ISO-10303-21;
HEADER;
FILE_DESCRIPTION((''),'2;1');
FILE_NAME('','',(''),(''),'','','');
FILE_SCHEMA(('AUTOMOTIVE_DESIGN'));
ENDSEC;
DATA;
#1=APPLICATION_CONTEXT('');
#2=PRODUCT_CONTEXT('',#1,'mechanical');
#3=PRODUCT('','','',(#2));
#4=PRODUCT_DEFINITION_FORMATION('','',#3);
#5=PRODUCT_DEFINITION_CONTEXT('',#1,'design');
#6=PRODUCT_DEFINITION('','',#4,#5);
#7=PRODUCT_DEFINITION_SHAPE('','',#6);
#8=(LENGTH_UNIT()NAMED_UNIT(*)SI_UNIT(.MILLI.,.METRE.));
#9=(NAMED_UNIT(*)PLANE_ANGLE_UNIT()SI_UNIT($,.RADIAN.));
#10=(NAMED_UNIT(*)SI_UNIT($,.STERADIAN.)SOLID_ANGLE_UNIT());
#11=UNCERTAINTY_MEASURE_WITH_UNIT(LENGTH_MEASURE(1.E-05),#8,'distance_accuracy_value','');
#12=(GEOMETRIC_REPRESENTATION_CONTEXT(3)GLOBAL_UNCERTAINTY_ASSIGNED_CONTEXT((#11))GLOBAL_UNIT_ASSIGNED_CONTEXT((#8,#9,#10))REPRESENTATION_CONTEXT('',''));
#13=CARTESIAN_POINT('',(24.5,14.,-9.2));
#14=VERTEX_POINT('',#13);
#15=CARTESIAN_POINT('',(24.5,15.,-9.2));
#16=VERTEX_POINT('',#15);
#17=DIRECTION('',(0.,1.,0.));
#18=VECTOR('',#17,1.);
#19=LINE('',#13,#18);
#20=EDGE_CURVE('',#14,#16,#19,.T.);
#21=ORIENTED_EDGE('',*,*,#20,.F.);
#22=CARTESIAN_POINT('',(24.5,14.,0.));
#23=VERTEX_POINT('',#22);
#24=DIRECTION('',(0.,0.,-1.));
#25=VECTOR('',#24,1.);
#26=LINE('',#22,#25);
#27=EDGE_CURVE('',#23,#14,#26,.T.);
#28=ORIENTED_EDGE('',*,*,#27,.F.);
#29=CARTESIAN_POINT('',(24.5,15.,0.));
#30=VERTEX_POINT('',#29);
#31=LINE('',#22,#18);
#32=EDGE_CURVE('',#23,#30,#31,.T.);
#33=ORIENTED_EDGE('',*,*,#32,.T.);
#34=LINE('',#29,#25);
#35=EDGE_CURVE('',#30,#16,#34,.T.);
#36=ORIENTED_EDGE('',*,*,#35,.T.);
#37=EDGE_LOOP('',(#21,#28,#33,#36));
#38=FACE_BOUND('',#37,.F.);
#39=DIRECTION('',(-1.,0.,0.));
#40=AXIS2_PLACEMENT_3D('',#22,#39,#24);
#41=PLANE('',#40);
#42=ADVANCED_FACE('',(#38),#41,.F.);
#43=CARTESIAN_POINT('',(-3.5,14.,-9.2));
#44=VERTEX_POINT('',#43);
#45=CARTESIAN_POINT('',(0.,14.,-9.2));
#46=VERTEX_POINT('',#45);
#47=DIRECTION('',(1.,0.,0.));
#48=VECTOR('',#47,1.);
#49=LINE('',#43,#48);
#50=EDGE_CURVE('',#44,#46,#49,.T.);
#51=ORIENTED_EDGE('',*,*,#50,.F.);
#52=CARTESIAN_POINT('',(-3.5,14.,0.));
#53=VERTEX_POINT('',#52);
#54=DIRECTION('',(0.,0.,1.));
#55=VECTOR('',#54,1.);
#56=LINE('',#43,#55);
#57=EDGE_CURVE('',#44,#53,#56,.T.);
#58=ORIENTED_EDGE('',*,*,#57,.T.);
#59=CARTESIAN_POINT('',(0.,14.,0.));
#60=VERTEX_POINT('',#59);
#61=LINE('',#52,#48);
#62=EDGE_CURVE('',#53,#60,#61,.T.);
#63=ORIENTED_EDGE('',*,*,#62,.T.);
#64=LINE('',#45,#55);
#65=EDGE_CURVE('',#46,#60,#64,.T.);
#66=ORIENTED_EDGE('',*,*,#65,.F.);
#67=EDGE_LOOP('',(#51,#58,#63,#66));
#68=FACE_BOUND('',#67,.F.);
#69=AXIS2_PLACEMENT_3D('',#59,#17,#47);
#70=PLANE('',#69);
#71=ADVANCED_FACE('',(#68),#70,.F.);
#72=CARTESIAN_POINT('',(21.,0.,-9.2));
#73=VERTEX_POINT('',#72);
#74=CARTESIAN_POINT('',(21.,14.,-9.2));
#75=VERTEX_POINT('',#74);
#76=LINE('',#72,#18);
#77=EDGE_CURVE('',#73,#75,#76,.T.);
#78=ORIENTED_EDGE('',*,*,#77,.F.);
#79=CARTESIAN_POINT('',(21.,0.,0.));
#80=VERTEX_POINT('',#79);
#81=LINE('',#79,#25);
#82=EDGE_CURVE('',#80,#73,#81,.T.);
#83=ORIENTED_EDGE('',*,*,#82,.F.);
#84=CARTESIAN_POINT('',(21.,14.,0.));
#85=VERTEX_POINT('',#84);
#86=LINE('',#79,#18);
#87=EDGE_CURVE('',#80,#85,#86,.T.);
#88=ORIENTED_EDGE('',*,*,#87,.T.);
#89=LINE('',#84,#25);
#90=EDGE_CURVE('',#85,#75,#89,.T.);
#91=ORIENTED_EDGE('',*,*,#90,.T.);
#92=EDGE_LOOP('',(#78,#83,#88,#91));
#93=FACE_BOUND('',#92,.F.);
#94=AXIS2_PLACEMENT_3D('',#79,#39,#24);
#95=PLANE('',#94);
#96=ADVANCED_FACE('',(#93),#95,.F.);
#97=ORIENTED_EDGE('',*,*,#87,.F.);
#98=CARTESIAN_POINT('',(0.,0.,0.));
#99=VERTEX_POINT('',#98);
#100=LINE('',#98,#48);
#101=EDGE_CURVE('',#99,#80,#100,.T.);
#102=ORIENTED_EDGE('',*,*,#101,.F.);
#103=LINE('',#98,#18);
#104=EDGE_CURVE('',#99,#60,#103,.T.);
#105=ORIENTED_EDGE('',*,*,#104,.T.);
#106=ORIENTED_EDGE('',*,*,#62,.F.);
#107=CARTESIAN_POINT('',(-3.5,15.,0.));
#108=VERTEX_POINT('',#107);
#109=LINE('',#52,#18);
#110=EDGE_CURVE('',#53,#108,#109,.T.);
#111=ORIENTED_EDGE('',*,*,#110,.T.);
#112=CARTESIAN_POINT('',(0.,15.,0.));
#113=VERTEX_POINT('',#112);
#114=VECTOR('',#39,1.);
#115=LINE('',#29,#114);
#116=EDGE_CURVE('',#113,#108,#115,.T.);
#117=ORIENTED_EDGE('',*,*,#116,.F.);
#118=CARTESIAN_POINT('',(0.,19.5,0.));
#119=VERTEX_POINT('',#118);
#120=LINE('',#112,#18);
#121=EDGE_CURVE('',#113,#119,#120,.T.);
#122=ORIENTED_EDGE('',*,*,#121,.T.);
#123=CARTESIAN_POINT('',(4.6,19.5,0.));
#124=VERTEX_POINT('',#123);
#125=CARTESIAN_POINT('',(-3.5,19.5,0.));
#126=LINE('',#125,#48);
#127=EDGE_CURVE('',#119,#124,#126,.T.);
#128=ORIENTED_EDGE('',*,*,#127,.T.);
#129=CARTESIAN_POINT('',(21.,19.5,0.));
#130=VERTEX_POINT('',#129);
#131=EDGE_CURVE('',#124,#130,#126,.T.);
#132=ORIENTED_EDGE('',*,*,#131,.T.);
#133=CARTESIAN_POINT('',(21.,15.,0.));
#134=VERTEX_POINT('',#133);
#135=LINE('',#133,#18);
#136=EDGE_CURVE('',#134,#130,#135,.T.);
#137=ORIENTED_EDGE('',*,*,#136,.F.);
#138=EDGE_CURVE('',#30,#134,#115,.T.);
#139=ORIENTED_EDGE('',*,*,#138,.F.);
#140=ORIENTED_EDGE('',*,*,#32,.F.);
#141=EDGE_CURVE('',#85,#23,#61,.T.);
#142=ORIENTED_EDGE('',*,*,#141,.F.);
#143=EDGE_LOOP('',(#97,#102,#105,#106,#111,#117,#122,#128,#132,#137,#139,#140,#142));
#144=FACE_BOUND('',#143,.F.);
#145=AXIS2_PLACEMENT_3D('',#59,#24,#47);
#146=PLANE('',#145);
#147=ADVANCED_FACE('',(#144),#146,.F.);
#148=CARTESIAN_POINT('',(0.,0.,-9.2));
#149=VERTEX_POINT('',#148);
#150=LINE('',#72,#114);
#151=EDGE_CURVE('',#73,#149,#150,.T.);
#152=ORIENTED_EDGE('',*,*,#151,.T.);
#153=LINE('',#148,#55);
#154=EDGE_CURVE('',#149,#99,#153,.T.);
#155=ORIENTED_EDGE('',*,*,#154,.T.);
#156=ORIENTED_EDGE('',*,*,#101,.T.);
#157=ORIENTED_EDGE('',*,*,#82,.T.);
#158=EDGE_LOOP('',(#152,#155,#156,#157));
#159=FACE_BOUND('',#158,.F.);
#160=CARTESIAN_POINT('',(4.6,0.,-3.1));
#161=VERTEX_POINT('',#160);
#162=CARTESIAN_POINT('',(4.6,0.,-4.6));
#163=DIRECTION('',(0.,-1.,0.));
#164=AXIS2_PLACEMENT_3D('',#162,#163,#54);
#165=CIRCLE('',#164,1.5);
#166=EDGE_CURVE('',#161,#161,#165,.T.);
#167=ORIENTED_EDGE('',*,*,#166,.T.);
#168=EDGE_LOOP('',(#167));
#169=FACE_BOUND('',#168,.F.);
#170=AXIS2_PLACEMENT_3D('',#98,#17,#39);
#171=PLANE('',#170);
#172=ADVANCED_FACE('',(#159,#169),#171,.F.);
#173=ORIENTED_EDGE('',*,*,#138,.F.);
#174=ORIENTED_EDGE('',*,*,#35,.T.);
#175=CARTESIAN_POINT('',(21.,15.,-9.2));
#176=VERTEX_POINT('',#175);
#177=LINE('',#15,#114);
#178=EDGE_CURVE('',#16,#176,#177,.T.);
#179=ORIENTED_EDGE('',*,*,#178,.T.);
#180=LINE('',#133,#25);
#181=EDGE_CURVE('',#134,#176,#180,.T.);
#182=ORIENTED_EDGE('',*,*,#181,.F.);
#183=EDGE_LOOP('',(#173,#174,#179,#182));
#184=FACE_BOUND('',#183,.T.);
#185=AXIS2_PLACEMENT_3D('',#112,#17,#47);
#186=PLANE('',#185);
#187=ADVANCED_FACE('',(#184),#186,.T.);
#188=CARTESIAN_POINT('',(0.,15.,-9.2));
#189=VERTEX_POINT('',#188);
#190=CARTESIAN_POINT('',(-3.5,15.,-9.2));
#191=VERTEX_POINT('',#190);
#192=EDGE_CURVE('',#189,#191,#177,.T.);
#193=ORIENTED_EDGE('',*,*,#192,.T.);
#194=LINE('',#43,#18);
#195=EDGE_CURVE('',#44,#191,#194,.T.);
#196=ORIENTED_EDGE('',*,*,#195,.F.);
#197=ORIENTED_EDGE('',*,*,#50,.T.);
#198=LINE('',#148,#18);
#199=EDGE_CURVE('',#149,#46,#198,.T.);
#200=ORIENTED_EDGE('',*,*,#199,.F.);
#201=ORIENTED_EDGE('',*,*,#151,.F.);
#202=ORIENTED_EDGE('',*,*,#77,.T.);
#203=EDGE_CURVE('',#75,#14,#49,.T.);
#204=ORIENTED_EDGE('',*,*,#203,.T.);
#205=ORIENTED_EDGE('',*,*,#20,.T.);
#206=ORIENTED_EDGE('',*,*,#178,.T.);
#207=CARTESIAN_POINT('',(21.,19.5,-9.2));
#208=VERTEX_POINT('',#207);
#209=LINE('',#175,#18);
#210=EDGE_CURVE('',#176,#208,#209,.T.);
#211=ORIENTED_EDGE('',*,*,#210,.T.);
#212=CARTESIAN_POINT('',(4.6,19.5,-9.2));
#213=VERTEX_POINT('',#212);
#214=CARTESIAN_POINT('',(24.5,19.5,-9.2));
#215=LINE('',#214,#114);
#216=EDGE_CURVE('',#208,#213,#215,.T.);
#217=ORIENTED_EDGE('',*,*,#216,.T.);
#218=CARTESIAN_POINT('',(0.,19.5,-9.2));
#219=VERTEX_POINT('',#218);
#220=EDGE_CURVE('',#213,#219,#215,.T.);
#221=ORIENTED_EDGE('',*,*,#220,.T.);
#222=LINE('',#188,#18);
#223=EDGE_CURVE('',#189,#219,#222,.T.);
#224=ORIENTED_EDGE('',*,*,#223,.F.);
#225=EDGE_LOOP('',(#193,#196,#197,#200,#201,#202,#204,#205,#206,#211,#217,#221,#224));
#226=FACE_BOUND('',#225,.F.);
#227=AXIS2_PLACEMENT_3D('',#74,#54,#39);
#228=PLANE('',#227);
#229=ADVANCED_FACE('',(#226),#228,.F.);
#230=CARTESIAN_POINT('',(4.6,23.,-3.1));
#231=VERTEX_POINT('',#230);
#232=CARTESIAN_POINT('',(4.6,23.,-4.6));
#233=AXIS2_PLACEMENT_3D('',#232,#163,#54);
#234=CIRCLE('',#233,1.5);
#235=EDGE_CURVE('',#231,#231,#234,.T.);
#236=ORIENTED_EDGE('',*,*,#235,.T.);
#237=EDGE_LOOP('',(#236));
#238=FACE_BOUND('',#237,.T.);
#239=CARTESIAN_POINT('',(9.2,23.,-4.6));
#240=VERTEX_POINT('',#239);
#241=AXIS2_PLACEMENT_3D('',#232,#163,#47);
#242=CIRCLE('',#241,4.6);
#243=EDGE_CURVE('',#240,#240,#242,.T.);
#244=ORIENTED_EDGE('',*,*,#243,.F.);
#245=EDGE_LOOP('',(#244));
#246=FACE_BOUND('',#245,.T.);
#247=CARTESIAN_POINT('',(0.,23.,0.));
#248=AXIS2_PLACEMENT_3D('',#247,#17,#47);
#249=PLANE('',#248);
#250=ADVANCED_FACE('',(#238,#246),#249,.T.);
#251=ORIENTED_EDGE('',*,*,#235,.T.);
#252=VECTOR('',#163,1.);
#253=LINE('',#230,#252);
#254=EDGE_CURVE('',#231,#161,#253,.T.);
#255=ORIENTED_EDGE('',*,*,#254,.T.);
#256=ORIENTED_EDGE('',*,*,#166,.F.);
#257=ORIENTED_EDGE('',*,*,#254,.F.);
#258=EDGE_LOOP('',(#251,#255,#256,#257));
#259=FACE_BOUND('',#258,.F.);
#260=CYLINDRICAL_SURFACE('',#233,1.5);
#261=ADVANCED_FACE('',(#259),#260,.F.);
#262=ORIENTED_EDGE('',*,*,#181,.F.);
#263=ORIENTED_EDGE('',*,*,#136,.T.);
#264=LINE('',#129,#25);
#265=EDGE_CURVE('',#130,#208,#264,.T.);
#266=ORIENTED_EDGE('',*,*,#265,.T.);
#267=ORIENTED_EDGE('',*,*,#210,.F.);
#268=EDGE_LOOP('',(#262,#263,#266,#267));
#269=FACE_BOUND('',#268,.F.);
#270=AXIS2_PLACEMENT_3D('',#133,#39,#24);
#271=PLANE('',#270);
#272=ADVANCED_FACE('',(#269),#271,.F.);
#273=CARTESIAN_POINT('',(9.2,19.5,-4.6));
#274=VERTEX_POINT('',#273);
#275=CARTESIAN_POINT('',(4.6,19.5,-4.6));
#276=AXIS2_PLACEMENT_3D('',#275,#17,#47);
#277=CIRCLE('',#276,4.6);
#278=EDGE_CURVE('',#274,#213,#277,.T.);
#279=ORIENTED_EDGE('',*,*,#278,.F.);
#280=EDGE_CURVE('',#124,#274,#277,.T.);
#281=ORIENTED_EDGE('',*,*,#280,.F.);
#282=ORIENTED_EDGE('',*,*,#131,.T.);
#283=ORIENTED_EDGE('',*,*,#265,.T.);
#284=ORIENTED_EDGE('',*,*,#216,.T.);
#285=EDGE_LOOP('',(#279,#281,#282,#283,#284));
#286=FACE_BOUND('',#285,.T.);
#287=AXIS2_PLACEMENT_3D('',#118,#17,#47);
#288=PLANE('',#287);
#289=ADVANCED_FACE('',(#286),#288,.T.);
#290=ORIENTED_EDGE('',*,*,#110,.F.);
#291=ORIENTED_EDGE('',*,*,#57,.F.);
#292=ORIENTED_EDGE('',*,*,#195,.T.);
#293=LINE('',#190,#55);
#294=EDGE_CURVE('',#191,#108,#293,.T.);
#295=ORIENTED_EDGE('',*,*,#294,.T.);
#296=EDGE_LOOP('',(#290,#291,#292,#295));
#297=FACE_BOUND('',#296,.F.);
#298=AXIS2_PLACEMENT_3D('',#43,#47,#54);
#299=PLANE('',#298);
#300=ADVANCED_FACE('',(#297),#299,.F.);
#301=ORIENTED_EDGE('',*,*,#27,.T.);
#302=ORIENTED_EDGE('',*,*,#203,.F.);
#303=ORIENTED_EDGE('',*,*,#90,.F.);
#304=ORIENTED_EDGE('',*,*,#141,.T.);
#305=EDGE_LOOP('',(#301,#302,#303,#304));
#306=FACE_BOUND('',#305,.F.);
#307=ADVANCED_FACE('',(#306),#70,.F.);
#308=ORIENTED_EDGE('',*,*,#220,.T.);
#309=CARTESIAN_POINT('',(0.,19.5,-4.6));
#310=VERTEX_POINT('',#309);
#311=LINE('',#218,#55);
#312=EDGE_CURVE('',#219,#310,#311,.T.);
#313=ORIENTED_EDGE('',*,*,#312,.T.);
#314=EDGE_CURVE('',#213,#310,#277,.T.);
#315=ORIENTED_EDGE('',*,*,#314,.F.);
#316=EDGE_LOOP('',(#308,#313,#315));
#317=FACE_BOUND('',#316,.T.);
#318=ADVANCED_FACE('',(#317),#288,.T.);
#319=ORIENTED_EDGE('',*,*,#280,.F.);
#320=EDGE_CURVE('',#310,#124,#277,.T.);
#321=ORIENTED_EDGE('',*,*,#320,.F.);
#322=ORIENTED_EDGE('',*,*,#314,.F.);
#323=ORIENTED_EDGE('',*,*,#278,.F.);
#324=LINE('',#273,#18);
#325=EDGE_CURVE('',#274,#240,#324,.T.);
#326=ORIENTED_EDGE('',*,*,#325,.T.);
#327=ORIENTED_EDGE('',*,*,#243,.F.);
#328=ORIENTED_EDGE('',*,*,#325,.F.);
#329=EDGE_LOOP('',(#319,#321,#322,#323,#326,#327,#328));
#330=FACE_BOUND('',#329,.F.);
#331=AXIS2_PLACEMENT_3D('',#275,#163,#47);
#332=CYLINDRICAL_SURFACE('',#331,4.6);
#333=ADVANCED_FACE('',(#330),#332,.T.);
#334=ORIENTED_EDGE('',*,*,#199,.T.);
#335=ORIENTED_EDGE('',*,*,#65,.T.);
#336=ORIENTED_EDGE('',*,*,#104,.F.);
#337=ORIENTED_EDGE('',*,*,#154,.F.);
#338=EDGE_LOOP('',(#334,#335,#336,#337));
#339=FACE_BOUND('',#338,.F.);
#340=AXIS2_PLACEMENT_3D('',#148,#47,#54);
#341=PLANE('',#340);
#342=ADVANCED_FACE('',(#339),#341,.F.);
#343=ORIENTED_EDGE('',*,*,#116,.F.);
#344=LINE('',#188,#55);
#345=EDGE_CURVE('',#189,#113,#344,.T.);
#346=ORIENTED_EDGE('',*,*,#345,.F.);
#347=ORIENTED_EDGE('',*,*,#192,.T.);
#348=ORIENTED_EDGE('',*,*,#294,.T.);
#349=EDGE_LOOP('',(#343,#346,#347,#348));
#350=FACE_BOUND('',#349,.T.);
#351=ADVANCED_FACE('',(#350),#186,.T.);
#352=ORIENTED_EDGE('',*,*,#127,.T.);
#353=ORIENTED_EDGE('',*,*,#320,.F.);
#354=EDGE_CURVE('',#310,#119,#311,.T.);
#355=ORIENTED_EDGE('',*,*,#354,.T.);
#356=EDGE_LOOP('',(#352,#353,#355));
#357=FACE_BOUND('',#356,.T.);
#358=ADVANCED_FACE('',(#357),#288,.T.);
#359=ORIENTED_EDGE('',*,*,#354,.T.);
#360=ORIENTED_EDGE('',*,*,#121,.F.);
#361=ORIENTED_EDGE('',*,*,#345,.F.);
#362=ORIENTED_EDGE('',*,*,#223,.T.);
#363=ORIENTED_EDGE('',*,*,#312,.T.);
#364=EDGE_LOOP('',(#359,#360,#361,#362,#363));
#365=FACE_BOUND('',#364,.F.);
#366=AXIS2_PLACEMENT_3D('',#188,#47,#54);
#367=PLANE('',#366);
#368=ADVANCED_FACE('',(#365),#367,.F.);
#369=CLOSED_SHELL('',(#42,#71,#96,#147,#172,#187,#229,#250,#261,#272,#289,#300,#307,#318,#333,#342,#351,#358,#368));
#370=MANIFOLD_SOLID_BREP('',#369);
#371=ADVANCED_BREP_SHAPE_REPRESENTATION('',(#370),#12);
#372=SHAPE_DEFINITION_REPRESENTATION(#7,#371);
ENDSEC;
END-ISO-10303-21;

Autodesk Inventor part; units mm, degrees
ref_plane "YZ Plane" through (0, 0, 0) normal (1, 0, 0) x (0, 1, 0)
ref_plane "XZ Plane" through (0, 0, 0) normal (0, 1, 0) x (-1, 0, 0)
ref_plane "XY Plane" through (0, 0, 0) normal (0, 0, 1) x (1, 0, 0)
sketch "スケッチ1" plane through (0, 0, 0) normal (0, 1, 0) x (-1, 0, 0)
  line L0 (0, 0) -> (-21, 0)
  line L1 (-21, 0) -> (-21, -9.2)
  line L2 (-21, -9.2) -> (0, -9.2)
  line L3 (0, -9.2) -> (0, 0)
  dimension "d0" = 21
  dimension "d1" = 9.2
extrude "押し出し1" add sketch "スケッチ1" along normal blind 14
sketch "スケッチ2" plane through (0, 14, 0) normal (0, 1, 0) x (1, 0, 0)
  line L0 (21, 0) -> (21, 9.2) projected
  line L1 (21, 9.2) -> (0, 9.2) projected
  line L2 (0, 9.2) -> (0, 0) projected
  line L3 (0, 0) -> (21, 0) projected
  line L4 (-3.5, 0) -> (24.5, 0)
  line L5 (24.5, 0) -> (24.5, 9.2)
  line L6 (24.5, 9.2) -> (-3.5, 9.2)
  line L7 (-3.5, 9.2) -> (-3.5, 0)
  dimension "d4" = 3.5
  dimension "d5" = 3.5
extrude "押し出し2" add sketch "スケッチ2" along normal blind 1
sketch "スケッチ3" plane through (0, 15, 0) normal (0, 1, 0) x (1, 0, 0)
  line L0 (-3.5, 0) -> (24.5, 0) projected
  line L1 (24.5, 9.2) -> (-3.5, 9.2) projected
  line L2 (0, 9.2) -> (0, 0) projected
  line L3 (21, 0) -> (21, 9.2) projected
extrude "押し出し3" add sketch "スケッチ3" along normal blind 4.5
sketch "スケッチ4" plane through (0, 19.5, 0) normal (0, 1, 0) x (1, 0, 0)
  line L0 (21, 9.2) -> (0, 9.2) projected
  line L1 (0, 9.2) -> (0, 0) projected
  line L2 (0, 0) -> (21, 0) projected
  circle A0 centre (4.6, 4.6) radius 4.6
extrude "押し出し4" add sketch "スケッチ4" along normal blind 3.5 contours A0
sketch "スケッチ5" plane through (4.6, 23, -4.6) normal (0, 1, 0) x (1, 0, 0)
  circle A0 centre (0, 0) radius 4.6 projected
  point P0 (-4.6, -4.6)
hole "穴1" at (4.6, 23, -4.6) direction (0, -1, 0) diameter 3 end through all
equation "\"d5\" = d4"
properties part number "motor"
